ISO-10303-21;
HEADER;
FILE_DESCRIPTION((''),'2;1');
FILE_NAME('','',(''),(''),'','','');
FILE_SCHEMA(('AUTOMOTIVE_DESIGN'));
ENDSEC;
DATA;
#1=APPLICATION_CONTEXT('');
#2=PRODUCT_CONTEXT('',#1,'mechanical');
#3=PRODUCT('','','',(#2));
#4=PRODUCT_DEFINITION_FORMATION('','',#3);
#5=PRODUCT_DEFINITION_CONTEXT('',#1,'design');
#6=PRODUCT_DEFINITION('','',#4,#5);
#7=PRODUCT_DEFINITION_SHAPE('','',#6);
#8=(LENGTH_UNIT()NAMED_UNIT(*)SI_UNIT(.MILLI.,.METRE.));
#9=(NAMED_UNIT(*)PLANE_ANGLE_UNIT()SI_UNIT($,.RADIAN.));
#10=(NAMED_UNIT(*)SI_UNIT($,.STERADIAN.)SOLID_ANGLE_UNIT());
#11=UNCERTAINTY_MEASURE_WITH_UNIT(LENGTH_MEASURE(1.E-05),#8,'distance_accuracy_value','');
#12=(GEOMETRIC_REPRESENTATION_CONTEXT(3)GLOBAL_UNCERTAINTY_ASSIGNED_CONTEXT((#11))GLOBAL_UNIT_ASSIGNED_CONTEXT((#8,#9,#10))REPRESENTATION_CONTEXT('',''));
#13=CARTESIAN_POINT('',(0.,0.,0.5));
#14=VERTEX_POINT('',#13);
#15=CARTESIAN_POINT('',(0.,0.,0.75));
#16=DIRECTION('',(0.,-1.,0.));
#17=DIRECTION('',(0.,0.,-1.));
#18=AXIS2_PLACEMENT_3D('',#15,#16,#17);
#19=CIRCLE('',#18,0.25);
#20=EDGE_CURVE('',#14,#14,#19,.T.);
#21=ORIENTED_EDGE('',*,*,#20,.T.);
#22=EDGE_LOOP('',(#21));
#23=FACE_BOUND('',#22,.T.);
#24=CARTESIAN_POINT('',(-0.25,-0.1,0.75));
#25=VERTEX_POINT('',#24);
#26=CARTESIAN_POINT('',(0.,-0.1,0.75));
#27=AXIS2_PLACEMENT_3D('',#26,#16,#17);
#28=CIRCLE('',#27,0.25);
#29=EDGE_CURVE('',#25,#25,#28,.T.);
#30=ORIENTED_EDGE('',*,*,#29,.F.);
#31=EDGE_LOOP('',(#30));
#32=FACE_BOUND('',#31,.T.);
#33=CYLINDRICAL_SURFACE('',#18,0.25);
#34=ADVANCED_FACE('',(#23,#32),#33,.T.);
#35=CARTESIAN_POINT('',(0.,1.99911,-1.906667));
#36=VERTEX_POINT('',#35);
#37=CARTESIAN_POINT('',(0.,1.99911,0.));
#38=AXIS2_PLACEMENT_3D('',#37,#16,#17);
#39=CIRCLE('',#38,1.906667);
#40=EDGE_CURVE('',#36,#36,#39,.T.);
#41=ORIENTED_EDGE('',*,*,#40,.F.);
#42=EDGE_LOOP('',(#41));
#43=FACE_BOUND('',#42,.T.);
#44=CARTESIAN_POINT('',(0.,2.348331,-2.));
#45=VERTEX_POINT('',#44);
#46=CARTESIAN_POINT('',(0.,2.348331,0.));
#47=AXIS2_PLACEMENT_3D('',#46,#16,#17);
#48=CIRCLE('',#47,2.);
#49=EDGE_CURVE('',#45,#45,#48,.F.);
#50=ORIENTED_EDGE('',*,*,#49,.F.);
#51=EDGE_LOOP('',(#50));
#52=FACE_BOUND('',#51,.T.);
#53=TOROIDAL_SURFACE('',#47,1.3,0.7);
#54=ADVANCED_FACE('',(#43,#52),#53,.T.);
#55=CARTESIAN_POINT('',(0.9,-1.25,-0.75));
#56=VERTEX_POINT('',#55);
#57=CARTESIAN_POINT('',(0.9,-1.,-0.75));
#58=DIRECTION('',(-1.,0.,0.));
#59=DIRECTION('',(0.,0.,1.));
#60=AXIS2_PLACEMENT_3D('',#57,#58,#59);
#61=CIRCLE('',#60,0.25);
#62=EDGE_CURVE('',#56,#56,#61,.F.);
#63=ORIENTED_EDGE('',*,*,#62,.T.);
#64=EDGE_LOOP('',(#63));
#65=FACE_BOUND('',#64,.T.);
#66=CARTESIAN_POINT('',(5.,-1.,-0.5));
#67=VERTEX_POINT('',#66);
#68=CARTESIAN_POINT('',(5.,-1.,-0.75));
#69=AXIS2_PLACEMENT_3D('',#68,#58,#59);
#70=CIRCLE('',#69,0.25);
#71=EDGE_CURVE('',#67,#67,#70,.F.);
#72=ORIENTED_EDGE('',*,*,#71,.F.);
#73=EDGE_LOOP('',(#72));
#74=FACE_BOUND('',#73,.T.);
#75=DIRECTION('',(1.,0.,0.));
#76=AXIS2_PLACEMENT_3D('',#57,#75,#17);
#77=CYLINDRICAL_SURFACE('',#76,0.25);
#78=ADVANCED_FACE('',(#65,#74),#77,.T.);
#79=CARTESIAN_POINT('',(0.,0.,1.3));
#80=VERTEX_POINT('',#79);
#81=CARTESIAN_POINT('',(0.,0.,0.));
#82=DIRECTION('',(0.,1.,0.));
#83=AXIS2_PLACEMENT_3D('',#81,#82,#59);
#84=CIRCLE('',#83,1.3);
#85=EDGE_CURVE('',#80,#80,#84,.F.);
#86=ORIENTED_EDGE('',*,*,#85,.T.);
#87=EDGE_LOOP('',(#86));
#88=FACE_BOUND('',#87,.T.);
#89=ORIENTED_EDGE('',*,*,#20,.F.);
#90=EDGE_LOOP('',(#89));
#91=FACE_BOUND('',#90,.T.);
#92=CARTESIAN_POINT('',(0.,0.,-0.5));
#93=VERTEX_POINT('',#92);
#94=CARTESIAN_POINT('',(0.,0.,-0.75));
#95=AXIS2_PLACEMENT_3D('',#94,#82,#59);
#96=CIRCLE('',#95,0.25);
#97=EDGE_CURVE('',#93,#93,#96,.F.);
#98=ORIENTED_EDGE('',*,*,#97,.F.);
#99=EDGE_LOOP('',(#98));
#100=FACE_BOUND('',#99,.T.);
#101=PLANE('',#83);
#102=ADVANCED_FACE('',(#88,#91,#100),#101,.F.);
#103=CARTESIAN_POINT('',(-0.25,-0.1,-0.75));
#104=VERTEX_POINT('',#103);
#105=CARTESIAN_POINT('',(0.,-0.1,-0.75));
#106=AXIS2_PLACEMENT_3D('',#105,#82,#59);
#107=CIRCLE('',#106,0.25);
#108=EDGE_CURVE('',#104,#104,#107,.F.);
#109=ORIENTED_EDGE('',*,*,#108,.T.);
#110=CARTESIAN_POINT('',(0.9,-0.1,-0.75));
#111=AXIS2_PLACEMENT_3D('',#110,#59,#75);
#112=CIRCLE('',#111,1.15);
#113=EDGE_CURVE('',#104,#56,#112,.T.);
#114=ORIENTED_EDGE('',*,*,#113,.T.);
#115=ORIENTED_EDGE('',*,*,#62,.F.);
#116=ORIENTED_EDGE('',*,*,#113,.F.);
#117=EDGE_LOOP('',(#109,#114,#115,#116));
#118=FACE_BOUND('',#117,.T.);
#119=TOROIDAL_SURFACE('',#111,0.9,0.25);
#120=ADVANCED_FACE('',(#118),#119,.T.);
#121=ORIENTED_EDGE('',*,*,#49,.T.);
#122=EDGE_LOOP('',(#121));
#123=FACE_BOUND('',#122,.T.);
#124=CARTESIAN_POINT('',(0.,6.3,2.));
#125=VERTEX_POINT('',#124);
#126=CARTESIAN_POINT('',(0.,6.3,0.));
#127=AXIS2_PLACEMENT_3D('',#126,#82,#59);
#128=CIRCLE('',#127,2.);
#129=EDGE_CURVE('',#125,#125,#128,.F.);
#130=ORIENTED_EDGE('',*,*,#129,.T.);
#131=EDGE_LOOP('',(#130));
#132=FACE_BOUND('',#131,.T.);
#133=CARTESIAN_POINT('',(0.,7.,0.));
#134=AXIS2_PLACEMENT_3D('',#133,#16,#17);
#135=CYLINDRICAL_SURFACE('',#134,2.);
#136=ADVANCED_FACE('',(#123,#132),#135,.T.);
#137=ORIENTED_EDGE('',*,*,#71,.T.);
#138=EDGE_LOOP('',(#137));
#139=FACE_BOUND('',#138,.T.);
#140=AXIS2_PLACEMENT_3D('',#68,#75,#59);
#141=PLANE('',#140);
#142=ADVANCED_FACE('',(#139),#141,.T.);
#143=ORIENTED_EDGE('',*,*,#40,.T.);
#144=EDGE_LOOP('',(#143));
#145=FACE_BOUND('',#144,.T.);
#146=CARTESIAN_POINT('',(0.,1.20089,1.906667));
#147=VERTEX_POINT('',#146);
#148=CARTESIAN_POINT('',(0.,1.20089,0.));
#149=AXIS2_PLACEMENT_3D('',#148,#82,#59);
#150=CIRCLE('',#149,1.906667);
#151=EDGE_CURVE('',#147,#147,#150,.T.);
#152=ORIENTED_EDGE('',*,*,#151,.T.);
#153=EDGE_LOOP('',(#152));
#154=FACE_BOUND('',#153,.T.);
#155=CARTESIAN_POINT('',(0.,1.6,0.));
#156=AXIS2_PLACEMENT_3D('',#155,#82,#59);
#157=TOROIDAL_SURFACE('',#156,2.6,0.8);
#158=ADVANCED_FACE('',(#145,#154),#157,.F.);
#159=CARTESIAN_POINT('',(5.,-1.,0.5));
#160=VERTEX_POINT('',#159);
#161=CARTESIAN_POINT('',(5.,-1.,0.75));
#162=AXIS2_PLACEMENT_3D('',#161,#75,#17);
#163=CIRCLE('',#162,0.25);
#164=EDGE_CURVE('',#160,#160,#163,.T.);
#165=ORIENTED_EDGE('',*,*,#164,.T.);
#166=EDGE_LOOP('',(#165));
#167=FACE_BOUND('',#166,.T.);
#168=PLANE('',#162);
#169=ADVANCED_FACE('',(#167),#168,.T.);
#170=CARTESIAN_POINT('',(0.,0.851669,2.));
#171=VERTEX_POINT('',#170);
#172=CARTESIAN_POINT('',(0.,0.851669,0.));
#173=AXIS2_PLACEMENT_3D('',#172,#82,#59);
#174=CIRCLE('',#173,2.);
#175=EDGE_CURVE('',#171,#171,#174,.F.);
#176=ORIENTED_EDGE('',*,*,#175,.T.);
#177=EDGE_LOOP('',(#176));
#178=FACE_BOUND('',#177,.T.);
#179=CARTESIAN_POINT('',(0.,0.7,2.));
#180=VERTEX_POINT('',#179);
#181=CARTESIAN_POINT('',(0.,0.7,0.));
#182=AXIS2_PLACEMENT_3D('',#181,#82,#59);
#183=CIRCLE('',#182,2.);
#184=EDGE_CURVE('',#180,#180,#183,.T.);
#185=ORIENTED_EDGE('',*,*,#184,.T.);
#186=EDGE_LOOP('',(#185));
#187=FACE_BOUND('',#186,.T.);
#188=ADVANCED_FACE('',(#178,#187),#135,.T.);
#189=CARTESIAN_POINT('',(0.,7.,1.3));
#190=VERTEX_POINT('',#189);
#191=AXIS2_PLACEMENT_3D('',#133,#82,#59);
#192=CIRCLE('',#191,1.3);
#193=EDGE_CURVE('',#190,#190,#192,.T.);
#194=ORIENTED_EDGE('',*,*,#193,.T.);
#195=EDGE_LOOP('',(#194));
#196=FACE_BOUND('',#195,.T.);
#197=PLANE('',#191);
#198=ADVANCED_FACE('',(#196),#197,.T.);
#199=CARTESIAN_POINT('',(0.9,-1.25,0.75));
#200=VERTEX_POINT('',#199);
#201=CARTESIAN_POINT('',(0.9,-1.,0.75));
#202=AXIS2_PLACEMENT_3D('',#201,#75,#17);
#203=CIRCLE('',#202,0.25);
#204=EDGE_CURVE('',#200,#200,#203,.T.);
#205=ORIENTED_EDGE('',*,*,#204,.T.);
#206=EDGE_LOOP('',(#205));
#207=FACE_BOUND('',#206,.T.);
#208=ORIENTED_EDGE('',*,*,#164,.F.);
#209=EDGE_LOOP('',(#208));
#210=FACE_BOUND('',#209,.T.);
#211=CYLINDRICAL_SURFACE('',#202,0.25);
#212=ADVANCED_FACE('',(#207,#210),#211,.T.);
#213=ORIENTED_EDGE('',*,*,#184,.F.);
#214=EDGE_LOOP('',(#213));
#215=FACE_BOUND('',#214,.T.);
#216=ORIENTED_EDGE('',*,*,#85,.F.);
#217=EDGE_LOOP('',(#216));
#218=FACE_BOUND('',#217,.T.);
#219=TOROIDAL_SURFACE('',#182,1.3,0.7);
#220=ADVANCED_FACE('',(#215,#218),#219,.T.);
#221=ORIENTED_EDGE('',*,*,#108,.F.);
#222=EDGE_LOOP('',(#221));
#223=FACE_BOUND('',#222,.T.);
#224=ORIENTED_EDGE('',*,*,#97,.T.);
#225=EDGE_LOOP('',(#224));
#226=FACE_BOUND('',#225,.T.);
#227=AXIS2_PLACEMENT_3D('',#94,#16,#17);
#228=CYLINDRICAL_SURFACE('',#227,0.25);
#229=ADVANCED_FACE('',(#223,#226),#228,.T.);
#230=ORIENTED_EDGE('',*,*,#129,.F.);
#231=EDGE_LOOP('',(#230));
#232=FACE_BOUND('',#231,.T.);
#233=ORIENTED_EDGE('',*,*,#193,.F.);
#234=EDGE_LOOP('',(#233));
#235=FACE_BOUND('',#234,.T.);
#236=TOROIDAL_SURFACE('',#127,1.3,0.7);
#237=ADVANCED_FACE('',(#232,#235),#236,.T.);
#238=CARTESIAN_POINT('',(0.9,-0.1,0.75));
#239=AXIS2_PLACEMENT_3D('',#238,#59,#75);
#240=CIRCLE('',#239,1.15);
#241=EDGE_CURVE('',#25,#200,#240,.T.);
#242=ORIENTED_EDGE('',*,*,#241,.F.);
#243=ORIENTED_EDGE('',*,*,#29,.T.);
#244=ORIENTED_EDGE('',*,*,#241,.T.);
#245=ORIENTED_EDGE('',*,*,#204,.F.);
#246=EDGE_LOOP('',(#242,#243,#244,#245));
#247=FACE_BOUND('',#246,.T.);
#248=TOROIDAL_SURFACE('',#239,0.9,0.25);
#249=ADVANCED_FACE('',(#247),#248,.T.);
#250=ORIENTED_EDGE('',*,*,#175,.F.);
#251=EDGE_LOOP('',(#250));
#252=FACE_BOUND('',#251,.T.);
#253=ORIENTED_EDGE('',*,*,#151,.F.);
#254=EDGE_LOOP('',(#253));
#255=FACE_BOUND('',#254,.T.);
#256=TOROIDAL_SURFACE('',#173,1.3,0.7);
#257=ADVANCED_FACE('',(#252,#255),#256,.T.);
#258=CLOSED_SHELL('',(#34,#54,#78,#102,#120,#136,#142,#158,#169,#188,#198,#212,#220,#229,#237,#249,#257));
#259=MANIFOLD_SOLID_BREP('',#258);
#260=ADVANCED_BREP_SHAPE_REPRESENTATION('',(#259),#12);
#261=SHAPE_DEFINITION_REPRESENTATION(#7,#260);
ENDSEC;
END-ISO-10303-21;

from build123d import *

# Parameters (mm, degrees)
SKETCH_1_R      = 2
EXTRUDE_1_DEPTH = 7
SKETCH_2_R      = 0.25
FILLET_1_R      = 0.7
FILLET_2_R      = 0.7
SKETCH_3_R      = 0.8
FILLET_3_R      = 0.7
FILLET_4_R      = 0.7


with BuildPart() as part:
    # Эскиз1 → Бобышка-Вытянуть1 (new body)
    with BuildSketch(Plane(origin=(0, 0, 0), x_dir=(1, 0, 0), z_dir=(0, 1, 0))):
        with Locations(Location((0, 0, 0), (0, 0, 270))):
            Circle(SKETCH_1_R)
    extrude(amount=EXTRUDE_1_DEPTH)

    # По траектории1: sweep along a curve in space
    with BuildLine() as sweep_1_path:
        Line((0, 0, 0.75), (0, -0.1, 0.75))
        ThreePointArc((0, -0.1, 0.75), (0.263603897, -0.736396103, 0.75), (0.9, -1, 0.75))
        Line((0.9, -1, 0.75), (5, -1, 0.75))
    # Эскиз2 → По траектории1 (sweep)
    with BuildSketch(Plane.XZ):
        with Locations((0, 0.75)):
            Circle(SKETCH_2_R)
    sweep_1 = sweep(path=sweep_1_path.line)

    # Зеркальное отражение1: По траектории1 across plane
    add(sweep_1.mirror(Plane.XY))

    # Скругление1
    fillet_1_edges = [part.edges().sort_by_distance(p)[0] for p in [
        (0, 0, -2),
    ]]
    fillet(fillet_1_edges, radius=FILLET_1_R)

    # Скругление2
    fillet_2_edges = [part.edges().sort_by_distance(p)[0] for p in [
        (0, 7, -2),
    ]]
    fillet(fillet_2_edges, radius=FILLET_2_R)

    # Эскиз3 → Вырез-Повернуть1 (revolve, cut)
    with BuildSketch(Plane(origin=(0, 0, 0), x_dir=(0, 0, -1), z_dir=(1, 0, 0))):
        with Locations((-2.6, 1.6)):
            Circle(SKETCH_3_R)
    revolve(axis=Axis((0, 0, 0), (0, -1, 0)), mode=Mode.SUBTRACT)

    # Скругление3
    fillet_3_edges = [part.edges().sort_by_distance(p)[0] for p in [
        (0, 1.070849738, -2),
    ]]
    fillet(fillet_3_edges, radius=FILLET_3_R)

    # Скругление4
    fillet_4_edges = [part.edges().sort_by_distance(p)[0] for p in [
        (0, 2.129150262, -2),
    ]]
    fillet(fillet_4_edges, radius=FILLET_4_R)


solid = part.part
